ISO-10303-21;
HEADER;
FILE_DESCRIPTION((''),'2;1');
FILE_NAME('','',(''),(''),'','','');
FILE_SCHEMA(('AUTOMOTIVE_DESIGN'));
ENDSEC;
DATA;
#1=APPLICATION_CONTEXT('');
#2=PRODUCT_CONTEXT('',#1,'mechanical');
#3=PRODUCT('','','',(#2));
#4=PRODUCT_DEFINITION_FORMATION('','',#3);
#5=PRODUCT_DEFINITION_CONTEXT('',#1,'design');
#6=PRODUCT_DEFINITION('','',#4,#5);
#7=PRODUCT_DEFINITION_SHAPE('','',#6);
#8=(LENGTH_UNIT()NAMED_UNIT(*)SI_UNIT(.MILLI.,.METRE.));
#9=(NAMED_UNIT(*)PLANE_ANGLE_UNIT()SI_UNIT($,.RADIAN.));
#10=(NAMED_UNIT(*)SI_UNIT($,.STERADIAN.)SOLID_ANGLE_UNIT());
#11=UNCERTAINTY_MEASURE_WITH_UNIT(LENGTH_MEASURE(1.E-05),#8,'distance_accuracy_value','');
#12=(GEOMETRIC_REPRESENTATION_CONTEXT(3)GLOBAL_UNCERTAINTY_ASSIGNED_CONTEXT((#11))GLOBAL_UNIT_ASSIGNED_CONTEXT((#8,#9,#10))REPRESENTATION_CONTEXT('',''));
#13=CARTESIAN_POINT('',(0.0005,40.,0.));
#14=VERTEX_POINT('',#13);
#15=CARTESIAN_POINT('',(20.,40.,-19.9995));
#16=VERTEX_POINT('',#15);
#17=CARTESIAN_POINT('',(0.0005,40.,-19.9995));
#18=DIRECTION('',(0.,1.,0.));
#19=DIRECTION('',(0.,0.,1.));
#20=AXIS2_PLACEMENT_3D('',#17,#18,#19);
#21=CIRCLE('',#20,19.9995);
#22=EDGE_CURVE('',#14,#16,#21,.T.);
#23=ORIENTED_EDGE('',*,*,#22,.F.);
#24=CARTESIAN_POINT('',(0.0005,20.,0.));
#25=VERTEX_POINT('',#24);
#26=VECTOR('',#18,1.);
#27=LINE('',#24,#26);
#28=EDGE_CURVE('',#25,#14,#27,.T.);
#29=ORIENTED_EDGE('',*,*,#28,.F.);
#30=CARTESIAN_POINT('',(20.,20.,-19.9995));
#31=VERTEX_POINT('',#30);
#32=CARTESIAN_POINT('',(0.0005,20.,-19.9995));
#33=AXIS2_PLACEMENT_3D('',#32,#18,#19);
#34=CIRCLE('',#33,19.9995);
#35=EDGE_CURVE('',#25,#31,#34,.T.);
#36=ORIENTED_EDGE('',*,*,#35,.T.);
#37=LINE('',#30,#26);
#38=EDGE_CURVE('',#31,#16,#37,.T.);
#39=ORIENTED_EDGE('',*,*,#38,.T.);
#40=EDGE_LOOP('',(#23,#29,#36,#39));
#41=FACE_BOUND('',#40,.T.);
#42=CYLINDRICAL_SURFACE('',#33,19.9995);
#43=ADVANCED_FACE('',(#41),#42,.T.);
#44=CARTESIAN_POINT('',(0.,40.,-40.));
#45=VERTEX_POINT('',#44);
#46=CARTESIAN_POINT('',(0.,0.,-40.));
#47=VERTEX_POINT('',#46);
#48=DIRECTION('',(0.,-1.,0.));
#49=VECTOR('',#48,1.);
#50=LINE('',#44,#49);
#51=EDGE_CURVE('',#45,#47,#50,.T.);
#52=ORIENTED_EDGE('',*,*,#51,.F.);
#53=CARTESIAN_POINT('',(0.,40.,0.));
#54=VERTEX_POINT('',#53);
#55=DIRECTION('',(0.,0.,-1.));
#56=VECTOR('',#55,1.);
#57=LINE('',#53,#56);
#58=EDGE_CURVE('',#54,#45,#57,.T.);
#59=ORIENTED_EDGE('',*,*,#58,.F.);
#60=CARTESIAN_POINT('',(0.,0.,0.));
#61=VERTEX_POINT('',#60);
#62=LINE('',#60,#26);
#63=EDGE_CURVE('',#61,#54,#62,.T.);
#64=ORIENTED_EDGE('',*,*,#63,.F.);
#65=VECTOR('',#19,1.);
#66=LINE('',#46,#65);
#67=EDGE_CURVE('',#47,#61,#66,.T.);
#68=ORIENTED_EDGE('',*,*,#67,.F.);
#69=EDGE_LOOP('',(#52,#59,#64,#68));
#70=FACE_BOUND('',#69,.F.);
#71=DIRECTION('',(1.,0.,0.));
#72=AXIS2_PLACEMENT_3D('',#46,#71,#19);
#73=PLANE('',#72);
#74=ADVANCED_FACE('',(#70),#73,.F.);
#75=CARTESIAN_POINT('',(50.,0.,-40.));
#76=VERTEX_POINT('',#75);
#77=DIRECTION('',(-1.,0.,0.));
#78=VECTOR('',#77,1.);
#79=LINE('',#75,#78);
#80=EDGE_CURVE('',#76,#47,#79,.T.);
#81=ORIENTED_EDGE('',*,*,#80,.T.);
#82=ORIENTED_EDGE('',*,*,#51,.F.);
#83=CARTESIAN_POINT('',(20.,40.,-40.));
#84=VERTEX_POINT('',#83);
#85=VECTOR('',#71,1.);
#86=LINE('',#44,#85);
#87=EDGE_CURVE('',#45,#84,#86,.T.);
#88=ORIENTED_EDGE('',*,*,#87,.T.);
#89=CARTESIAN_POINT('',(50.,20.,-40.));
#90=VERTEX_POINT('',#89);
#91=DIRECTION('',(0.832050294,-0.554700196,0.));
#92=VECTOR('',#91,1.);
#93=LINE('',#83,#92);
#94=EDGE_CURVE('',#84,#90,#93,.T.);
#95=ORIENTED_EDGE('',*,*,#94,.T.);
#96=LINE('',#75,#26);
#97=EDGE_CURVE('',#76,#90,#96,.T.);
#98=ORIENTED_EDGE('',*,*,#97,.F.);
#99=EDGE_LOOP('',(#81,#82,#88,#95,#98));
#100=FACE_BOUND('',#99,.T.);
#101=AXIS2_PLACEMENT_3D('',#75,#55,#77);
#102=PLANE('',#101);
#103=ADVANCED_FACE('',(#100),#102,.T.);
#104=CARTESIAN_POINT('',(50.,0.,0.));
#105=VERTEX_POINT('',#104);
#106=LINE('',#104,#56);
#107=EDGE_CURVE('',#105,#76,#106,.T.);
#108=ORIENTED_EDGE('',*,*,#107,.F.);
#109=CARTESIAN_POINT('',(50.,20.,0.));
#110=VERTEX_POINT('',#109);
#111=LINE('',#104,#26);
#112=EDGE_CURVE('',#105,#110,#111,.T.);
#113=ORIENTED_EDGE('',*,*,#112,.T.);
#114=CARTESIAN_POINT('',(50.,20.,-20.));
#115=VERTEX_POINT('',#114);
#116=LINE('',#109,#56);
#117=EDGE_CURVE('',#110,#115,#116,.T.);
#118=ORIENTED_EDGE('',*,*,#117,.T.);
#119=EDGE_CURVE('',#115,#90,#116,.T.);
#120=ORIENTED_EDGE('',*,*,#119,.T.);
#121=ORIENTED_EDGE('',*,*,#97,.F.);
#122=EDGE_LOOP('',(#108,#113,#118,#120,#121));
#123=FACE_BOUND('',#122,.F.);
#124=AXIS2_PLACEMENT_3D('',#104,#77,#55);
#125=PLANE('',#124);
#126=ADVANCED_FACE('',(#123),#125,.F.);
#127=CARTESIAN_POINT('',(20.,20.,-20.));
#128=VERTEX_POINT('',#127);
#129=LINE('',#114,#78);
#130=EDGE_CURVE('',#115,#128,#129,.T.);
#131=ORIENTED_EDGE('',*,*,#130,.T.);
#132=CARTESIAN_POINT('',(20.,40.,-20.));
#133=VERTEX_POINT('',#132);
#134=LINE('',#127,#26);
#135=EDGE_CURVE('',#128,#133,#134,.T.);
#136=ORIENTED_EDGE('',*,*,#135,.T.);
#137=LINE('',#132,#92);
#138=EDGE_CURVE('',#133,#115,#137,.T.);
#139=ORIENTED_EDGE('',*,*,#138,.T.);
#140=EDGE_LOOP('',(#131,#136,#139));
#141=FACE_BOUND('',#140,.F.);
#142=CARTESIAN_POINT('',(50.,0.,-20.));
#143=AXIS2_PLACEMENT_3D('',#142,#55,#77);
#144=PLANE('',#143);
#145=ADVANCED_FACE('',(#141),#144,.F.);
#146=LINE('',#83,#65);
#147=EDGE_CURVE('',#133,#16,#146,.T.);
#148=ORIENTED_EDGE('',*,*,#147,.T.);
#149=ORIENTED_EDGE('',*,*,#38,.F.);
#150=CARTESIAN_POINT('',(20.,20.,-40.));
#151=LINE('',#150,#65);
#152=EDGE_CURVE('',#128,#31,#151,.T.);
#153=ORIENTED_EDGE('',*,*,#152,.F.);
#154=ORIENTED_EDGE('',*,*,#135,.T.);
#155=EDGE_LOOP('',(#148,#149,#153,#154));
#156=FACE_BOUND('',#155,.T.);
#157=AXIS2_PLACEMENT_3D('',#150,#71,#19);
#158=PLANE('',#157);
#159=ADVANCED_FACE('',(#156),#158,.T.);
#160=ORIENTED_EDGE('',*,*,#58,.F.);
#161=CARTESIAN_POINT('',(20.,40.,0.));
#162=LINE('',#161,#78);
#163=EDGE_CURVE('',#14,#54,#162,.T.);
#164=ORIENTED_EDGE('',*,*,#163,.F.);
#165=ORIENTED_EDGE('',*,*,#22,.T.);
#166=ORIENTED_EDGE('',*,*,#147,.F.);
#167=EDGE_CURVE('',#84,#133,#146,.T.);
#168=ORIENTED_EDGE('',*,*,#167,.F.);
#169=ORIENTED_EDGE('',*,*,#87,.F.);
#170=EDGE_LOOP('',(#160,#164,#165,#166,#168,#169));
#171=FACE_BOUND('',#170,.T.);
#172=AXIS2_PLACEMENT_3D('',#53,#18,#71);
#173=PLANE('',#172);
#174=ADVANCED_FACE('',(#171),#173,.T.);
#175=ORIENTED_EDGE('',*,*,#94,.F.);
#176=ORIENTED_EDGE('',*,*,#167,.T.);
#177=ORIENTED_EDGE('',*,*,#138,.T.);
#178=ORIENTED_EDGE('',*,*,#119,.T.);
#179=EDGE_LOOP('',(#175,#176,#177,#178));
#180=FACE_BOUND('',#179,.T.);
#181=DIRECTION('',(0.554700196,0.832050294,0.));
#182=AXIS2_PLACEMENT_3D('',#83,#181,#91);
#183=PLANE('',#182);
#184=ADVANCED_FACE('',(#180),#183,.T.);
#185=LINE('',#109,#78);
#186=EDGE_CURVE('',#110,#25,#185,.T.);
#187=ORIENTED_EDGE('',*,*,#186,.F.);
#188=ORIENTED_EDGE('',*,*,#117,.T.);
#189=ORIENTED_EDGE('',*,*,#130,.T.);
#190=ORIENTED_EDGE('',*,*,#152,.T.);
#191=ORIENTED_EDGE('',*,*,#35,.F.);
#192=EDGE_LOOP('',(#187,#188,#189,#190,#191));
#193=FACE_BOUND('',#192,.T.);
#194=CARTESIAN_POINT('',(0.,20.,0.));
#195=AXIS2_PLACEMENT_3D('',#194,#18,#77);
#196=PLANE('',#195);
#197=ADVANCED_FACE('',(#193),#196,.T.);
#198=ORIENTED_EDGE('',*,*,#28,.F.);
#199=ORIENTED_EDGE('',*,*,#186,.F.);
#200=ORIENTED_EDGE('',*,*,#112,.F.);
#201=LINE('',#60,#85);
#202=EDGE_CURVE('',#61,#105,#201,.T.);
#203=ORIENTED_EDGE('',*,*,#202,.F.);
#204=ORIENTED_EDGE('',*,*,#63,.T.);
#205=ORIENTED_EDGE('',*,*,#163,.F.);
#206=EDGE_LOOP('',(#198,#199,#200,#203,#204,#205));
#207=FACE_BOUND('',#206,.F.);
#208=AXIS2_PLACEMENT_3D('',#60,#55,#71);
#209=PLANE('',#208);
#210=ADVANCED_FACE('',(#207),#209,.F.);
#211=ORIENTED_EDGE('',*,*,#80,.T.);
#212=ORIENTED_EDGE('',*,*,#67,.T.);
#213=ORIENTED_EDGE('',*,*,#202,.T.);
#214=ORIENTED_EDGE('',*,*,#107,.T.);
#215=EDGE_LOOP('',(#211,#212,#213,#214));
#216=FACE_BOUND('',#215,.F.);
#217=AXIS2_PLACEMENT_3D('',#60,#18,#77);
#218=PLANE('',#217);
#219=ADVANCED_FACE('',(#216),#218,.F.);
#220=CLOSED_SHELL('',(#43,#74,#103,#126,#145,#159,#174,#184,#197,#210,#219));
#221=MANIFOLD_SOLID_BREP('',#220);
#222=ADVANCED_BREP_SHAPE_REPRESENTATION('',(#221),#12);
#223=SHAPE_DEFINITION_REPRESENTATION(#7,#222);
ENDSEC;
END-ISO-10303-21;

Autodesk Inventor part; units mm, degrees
ref_plane "YZ Plane" through (0, 0, 0) normal (1, 0, 0) x (0, 1, 0)
ref_plane "XZ Plane" through (0, 0, 0) normal (0, 1, 0) x (-1, 0, 0)
ref_plane "XY Plane" through (0, 0, 0) normal (0, 0, 1) x (1, 0, 0)
sketch "草圖1" plane through (0, 0, 0) normal (0, 1, 0) x (-1, 0, 0)
  line L0 (0, 0) -> (-50, 0)
  line L1 (-50, 0) -> (-50, -40)
  line L2 (-50, -40) -> (0, -40)
  line L3 (0, -40) -> (0, 0)
  dimension "d0" = 50
  dimension "d1" = 40
extrude "擠出1" add sketch "草圖1" along normal blind 20
sketch "草圖2" plane through (0, 20, 0) normal (0, 1, 0) x (1, 0, 0)
  line L0 (0, 40) -> (20, 40)
  line L1 (20, 40) -> (20, 0)
  line L2 (20, 0) -> (0, 0)
  line L3 (0, 0) -> (0, 40)
  line L4 (50, 40) -> (0, 40) projected
  line L5 (0, 40) -> (0, 0) projected
  dimension "d4" = 20
extrude "擠出2" add sketch "草圖2" along normal blind 20
fillet "圓角1" radius 20 1 edges at (20, 30, 0)
sketch "草圖3" plane through (50, 0, -40) normal (0, 0, -1) x (-1, 0, 0)
  line L0 (30, 40) -> (50, 40) projected
  line L1 (0, 20) -> (30, 20) projected
  line L2 (30, 40) -> (0, 20)
  line L3 (0, 20) -> (30, 20)
  line L4 (30, 20) -> (30, 40) projected
  line L5 (30, 20) -> (30, 40)
  point P0 (50, 0)
extrude "擠出3" add sketch "草圖3" against normal blind 20
properties part number "39 (60283.185 mm^3)"
